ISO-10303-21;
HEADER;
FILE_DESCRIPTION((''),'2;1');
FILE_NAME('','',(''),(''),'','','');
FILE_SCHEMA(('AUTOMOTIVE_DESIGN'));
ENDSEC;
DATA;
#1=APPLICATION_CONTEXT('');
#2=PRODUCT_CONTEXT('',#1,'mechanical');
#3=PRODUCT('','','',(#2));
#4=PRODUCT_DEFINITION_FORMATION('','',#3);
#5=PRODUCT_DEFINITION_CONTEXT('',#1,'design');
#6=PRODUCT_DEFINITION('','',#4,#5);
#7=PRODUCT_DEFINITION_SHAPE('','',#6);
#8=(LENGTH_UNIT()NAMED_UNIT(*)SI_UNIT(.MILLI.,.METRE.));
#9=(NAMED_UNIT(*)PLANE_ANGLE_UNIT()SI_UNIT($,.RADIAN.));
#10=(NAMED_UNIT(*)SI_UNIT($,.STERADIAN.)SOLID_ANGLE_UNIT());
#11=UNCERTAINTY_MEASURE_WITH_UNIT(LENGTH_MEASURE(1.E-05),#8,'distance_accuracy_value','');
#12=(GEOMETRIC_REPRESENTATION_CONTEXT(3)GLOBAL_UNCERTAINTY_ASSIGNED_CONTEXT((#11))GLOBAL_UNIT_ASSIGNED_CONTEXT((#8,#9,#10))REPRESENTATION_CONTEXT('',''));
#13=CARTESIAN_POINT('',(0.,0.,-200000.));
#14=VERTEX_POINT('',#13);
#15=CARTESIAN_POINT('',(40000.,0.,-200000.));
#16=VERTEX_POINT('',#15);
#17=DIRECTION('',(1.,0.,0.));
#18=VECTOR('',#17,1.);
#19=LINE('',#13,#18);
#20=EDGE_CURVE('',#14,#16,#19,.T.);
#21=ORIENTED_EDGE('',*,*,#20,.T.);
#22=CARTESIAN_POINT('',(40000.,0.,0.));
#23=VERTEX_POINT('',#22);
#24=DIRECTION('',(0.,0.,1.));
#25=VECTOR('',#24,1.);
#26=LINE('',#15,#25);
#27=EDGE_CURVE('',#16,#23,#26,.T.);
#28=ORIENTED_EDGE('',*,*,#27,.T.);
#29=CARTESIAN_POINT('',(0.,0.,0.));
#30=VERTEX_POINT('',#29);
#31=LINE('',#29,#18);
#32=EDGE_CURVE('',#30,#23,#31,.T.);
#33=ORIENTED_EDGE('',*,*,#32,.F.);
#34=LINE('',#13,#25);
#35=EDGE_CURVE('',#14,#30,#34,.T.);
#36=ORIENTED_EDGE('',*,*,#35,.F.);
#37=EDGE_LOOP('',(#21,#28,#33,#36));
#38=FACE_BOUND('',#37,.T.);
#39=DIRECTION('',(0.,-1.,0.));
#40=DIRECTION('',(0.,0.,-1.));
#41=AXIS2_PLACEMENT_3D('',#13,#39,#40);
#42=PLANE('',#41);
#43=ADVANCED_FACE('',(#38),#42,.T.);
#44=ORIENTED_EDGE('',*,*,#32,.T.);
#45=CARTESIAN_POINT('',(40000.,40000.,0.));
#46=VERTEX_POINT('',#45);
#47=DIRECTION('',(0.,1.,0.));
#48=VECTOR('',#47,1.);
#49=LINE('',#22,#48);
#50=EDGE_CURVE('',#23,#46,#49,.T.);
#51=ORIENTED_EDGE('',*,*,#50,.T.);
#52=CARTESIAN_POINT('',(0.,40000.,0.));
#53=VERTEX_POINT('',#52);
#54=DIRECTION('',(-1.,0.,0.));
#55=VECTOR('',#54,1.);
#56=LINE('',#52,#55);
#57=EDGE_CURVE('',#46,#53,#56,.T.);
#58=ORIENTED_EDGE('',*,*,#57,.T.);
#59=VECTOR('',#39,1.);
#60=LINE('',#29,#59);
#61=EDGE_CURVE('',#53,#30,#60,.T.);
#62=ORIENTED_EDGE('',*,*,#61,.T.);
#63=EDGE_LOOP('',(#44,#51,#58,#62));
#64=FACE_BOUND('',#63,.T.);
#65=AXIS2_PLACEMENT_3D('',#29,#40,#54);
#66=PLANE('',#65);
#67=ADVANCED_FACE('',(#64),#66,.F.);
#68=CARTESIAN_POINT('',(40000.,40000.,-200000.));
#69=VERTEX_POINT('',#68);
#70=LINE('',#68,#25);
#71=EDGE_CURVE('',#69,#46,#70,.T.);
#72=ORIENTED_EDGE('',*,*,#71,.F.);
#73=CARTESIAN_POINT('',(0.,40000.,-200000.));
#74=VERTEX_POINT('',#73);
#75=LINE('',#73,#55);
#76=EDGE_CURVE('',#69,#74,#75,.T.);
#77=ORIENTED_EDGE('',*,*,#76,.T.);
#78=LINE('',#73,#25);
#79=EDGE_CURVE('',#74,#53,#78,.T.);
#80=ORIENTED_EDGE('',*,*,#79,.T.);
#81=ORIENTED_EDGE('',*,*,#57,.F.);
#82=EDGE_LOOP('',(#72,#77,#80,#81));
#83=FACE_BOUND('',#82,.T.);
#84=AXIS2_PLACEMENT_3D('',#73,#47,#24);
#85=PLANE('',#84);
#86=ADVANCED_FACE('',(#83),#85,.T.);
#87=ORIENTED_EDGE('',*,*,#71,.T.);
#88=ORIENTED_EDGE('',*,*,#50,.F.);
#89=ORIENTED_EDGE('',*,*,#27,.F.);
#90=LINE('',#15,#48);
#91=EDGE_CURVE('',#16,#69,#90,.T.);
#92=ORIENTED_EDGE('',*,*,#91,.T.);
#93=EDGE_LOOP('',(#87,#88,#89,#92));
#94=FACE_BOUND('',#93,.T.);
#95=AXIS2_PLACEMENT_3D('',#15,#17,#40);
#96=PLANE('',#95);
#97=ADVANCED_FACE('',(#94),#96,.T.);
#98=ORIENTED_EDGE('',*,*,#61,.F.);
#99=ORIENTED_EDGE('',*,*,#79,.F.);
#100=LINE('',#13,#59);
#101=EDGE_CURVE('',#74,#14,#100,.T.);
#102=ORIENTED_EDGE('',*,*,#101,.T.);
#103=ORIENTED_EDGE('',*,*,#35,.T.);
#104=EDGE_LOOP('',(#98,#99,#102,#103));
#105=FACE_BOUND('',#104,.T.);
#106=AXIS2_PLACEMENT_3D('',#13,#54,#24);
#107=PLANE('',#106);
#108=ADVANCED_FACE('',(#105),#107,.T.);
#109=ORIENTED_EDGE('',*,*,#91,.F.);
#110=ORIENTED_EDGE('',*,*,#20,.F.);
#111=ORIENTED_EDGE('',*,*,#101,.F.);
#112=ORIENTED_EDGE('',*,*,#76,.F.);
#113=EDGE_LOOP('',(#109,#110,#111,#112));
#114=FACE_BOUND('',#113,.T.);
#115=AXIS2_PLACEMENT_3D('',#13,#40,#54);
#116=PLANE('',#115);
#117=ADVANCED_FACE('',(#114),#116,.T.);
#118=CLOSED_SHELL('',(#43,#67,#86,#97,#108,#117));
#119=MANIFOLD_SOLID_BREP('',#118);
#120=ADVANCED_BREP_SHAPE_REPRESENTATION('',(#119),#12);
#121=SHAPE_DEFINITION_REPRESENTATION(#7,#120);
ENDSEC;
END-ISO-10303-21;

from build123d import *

# Parameters (mm, degrees)
SKETCH_1_W      = 40000
SKETCH_1_H      = 40000
EXTRUDE_1_DEPTH = 200000


with BuildPart() as part:
    # 草图1 → 凸台-拉伸1 (new body)
    with BuildSketch(Plane.XY):
        with Locations((20000, 20000)):
            Rectangle(SKETCH_1_W, SKETCH_1_H)
    extrude(amount=-EXTRUDE_1_DEPTH)


solid = part.part
